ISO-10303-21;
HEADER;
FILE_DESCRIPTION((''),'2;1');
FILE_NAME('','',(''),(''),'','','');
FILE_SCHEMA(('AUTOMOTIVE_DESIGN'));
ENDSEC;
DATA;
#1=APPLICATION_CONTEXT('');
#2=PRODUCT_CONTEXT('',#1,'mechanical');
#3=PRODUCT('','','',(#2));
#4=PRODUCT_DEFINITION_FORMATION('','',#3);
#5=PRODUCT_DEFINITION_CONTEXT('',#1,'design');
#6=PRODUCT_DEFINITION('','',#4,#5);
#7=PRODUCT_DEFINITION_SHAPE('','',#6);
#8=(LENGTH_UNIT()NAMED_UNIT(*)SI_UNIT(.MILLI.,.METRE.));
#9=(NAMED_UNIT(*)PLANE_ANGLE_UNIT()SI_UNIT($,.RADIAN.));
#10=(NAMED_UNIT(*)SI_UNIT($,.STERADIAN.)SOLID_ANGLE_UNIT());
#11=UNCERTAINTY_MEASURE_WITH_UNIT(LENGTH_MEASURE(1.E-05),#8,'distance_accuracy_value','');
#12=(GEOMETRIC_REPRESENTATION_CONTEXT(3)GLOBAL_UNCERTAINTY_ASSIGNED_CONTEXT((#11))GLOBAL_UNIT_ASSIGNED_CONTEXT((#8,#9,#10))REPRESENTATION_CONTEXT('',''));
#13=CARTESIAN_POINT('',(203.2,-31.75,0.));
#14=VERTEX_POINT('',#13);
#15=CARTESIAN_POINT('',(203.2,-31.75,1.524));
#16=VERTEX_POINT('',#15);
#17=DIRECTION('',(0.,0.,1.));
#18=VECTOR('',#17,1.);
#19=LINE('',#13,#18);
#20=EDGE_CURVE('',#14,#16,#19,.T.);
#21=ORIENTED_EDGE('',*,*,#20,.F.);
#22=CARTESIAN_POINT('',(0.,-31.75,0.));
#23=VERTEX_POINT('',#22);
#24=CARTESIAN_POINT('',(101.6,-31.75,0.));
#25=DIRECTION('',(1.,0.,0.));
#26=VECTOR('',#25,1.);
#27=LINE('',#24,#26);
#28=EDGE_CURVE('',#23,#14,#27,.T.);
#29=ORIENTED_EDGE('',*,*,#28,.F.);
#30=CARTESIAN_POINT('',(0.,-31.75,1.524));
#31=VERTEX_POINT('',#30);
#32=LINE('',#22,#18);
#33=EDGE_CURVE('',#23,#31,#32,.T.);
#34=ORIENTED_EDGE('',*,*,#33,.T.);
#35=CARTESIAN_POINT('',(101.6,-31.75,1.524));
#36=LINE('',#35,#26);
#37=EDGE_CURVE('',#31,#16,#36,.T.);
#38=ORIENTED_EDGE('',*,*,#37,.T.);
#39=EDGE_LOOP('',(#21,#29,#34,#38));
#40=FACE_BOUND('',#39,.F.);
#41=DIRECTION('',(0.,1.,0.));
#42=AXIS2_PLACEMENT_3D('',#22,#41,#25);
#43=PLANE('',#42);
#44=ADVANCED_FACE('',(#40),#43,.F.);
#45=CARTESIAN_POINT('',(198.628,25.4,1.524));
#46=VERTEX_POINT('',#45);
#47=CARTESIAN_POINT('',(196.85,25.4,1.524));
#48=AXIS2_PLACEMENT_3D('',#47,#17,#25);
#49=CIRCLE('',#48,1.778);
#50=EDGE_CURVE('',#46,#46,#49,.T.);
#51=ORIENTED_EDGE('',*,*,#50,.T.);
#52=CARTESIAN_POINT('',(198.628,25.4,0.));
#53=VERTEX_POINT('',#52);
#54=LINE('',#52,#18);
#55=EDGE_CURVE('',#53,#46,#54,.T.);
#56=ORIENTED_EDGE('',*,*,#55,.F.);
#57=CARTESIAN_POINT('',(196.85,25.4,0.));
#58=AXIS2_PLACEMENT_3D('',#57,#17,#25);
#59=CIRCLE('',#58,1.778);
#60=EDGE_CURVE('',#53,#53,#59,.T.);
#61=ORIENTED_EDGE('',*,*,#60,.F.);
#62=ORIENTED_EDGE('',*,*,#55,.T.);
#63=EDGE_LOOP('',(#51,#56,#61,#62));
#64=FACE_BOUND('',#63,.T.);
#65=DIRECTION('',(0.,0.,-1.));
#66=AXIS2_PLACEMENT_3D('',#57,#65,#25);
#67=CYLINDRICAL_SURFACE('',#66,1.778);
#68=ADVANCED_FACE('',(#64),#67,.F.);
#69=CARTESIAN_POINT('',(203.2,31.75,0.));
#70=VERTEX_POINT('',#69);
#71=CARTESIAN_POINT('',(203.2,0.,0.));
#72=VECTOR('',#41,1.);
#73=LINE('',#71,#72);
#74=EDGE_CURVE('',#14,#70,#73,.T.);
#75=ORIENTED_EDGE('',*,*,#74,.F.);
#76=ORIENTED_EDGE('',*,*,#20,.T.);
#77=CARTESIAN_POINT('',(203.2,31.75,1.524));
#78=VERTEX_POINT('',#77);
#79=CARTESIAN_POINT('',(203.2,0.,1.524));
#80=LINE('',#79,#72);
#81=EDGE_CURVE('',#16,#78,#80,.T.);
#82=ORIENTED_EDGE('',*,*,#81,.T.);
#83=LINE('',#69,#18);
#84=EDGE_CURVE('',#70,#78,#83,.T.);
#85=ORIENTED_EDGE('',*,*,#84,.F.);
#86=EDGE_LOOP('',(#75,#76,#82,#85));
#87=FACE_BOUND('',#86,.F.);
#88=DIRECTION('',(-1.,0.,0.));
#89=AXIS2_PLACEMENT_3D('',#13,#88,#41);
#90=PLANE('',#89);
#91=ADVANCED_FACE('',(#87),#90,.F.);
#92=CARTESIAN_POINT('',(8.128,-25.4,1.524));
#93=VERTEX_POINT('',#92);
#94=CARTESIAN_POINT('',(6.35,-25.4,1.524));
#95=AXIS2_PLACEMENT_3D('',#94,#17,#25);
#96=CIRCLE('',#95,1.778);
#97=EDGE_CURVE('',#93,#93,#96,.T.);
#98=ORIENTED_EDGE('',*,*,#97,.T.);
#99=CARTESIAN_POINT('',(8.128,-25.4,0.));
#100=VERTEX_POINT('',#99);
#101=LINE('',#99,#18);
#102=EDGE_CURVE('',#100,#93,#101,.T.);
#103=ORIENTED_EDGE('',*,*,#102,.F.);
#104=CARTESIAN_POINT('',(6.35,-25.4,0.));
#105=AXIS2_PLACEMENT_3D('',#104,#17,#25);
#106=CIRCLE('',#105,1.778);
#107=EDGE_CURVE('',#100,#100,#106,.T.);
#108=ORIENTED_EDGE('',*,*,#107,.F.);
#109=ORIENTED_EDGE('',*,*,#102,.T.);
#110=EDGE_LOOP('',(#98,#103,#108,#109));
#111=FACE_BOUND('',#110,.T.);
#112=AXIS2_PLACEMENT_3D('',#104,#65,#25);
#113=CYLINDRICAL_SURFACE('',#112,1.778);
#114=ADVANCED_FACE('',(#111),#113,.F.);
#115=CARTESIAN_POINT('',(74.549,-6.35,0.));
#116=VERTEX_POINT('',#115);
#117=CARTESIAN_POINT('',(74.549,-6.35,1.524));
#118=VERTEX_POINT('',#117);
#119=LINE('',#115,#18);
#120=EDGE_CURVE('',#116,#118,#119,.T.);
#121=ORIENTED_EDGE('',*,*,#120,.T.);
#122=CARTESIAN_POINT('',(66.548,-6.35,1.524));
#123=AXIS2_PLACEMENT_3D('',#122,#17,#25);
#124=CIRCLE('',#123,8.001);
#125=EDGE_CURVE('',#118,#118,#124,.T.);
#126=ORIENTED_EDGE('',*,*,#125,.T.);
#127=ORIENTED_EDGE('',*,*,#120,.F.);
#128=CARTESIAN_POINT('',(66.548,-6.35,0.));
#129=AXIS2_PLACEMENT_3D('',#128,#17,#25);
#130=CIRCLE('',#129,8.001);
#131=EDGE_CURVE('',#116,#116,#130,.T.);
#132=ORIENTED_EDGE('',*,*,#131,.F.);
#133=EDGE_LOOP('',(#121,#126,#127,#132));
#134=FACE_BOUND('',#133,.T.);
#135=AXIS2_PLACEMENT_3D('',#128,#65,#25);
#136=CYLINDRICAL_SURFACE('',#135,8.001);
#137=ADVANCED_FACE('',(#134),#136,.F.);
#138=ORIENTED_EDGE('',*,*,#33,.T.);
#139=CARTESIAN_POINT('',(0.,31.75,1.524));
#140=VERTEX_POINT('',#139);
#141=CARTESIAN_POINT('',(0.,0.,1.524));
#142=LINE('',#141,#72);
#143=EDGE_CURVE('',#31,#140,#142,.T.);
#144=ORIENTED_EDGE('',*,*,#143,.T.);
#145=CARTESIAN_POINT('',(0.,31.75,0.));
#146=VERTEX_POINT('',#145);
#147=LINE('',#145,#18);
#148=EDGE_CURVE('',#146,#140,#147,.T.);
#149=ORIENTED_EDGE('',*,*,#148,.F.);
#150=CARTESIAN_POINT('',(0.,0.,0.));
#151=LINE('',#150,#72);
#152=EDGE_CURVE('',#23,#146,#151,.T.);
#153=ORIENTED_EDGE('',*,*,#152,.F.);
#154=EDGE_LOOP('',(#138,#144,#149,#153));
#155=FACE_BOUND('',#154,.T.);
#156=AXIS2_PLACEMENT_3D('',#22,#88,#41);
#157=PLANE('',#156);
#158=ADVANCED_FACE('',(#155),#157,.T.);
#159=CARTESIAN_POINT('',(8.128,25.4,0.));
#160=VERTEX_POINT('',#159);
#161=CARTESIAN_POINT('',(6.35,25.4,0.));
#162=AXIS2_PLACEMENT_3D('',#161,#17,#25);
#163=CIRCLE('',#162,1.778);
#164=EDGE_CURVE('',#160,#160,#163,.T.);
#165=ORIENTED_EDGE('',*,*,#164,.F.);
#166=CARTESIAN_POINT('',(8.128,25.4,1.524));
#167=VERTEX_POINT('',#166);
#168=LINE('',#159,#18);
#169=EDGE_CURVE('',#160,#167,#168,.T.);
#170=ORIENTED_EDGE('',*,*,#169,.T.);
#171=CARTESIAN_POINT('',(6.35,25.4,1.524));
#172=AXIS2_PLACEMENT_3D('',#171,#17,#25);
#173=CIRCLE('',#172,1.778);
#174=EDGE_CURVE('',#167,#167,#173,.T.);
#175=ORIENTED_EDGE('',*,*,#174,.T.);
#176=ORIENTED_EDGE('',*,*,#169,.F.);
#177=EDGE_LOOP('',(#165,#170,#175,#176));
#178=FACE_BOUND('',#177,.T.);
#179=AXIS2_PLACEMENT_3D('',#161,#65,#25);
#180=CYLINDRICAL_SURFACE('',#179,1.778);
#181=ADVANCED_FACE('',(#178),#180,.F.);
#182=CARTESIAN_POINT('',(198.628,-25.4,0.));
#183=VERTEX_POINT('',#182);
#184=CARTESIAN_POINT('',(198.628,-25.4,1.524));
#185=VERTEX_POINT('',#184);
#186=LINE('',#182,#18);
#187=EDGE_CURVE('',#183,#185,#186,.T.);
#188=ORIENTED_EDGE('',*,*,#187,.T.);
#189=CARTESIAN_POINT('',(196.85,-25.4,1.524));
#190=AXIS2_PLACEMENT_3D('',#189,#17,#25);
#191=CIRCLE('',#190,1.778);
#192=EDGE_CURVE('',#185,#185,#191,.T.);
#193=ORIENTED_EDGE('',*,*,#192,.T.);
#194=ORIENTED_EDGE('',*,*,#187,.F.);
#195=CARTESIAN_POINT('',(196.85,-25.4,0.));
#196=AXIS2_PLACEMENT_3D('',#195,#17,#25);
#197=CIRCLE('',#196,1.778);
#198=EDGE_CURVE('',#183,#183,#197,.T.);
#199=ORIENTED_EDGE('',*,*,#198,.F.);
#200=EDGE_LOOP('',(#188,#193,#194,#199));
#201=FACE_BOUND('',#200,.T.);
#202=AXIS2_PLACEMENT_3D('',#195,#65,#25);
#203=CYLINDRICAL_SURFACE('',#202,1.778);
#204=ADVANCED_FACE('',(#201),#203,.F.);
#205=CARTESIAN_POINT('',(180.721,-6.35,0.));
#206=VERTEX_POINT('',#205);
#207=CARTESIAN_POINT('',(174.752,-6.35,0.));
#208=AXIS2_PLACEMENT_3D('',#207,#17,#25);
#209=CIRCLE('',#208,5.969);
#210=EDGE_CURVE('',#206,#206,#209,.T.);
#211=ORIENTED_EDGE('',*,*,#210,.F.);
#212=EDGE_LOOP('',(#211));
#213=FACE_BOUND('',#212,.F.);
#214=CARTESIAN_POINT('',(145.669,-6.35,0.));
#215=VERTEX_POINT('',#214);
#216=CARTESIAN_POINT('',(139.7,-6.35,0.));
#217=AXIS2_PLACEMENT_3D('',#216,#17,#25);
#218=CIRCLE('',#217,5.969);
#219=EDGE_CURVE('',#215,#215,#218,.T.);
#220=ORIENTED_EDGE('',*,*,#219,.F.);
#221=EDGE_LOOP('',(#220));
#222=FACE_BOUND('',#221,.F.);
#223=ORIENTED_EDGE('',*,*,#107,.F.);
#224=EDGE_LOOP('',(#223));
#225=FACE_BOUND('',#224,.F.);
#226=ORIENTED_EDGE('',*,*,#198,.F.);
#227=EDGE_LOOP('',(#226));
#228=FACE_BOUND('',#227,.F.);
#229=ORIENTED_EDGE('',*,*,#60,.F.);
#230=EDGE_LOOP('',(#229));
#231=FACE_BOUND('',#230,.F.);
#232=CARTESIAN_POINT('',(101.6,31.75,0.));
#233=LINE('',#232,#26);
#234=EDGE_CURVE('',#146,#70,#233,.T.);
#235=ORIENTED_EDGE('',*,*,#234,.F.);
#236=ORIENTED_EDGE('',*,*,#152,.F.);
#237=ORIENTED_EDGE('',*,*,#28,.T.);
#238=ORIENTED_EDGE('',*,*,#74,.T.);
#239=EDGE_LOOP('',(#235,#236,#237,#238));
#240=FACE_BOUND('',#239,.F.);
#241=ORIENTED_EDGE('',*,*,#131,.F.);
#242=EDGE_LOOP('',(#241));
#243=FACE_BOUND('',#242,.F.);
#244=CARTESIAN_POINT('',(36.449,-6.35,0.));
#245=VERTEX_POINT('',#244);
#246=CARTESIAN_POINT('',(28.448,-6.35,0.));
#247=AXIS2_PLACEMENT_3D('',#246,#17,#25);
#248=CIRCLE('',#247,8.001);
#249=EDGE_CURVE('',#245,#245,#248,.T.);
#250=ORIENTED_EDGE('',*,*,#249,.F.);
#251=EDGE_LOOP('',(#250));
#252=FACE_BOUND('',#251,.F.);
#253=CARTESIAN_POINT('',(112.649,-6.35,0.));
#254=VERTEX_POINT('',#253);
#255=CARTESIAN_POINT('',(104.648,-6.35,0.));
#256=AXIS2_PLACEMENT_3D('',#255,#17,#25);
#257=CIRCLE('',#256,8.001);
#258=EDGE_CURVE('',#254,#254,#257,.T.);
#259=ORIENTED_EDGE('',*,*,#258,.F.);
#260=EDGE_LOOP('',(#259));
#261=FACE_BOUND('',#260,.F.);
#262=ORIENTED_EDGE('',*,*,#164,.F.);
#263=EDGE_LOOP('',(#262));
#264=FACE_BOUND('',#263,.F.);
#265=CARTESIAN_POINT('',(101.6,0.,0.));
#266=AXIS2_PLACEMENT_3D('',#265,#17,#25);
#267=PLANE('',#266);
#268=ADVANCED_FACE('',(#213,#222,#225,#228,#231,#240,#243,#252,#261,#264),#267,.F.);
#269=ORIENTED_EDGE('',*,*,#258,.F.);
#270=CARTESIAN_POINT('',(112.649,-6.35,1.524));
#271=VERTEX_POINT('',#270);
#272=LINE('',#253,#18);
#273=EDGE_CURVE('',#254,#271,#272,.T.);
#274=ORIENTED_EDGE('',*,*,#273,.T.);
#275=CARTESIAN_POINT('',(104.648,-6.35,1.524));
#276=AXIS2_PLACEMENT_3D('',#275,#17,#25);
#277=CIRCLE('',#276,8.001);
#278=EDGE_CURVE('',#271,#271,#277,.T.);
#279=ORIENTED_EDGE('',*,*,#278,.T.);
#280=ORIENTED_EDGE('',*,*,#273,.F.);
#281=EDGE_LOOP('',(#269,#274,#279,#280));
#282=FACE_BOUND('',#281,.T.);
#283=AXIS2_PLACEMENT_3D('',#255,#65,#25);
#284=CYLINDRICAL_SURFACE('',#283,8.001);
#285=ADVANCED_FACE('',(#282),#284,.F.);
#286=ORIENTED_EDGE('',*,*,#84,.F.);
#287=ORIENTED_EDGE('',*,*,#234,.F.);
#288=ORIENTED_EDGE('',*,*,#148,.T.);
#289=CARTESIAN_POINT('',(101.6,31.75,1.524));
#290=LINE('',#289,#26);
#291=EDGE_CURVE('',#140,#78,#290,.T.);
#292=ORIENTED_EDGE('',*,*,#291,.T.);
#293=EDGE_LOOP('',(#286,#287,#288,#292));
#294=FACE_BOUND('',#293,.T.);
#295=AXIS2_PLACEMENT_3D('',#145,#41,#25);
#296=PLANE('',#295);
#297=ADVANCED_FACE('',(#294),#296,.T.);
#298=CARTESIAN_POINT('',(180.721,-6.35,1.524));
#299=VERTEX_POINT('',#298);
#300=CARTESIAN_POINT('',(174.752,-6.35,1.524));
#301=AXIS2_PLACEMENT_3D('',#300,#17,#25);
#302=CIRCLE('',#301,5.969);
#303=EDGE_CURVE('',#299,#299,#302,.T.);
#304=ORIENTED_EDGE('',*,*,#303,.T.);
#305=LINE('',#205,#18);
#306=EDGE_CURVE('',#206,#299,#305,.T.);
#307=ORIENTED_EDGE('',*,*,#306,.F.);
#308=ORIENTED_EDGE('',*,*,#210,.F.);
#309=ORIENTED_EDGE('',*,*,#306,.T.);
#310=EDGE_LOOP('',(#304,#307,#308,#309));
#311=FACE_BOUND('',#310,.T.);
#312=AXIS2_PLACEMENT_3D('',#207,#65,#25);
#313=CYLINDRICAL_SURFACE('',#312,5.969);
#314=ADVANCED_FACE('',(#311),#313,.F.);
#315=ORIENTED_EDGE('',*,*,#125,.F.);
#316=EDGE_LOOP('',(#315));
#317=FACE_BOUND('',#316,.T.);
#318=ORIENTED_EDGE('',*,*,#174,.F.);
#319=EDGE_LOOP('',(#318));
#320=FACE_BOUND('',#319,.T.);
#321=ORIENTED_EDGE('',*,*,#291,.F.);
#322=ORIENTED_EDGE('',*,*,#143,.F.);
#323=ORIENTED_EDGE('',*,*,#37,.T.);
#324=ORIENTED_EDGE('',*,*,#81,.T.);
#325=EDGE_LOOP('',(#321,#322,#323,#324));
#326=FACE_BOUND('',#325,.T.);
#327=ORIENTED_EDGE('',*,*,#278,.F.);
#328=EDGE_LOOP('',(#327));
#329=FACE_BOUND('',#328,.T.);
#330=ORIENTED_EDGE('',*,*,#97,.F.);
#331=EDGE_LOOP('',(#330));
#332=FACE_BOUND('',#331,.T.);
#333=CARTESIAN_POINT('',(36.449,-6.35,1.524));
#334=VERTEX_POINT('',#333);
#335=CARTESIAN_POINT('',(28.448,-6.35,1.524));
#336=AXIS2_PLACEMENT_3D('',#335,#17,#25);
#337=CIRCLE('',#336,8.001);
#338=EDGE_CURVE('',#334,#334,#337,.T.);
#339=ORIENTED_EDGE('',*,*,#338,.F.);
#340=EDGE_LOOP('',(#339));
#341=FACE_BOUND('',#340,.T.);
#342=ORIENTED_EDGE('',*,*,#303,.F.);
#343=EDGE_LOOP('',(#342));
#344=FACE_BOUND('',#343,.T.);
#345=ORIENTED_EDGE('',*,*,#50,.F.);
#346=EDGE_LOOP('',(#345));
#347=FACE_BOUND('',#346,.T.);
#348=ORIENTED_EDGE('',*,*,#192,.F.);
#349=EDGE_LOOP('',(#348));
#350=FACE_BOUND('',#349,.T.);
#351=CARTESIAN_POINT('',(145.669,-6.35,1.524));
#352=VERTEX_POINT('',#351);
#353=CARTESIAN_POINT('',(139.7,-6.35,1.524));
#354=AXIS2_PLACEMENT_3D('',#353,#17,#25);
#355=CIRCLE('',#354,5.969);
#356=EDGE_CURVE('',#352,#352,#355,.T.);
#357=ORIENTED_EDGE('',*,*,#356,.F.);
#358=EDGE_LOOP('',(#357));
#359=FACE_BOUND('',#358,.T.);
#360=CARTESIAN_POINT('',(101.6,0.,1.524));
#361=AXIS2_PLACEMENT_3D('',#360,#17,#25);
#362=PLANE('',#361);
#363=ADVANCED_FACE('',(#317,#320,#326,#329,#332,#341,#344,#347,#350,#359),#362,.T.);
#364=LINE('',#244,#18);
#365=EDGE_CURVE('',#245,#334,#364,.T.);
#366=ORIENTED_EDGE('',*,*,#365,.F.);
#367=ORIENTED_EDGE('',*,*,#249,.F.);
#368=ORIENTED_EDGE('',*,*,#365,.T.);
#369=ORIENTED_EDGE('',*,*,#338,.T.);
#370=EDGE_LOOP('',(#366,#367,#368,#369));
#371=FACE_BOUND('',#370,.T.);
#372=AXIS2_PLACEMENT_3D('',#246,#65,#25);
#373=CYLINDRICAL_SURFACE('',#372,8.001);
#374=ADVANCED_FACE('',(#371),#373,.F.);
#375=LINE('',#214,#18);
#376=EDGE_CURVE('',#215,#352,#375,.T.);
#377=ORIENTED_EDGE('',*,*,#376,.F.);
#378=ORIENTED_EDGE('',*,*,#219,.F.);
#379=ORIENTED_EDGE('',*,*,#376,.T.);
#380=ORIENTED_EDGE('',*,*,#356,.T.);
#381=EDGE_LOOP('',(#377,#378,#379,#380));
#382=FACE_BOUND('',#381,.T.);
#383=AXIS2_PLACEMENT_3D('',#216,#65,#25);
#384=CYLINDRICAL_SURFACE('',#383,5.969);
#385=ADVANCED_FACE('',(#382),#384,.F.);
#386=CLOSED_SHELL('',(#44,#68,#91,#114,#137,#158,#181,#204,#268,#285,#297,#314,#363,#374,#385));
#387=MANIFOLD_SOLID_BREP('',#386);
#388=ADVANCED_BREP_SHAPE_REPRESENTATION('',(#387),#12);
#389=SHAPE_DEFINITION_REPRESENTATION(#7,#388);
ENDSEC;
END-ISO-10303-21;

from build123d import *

# Parameters (mm, degrees)
SKETCH_W   = 203.2
SKETCH_H   = 63.5
SKETCH_R   = 8.001
SKETCH_R_2 = 5.969
SKETCH_R_3 = 1.778
PAD_DEPTH  = 1.524


with BuildPart() as part:
    # Sketch (on XY_Plane of Origin) → Pad (new body)
    with BuildSketch(Plane.XY):
        with Locations((101.6, 0)):
            Rectangle(SKETCH_W, SKETCH_H)
        with Locations((28.448, -6.35)):
            Circle(SKETCH_R, mode=Mode.SUBTRACT)
        with Locations((66.548, -6.35)):
            Circle(SKETCH_R, mode=Mode.SUBTRACT)
        with Locations((104.648, -6.35)):
            Circle(SKETCH_R, mode=Mode.SUBTRACT)
        with Locations((139.7, -6.35)):
            Circle(SKETCH_R_2, mode=Mode.SUBTRACT)
        with Locations((174.752, -6.35)):
            Circle(SKETCH_R_2, mode=Mode.SUBTRACT)
        with Locations((196.85, -25.4)):
            Circle(SKETCH_R_3, mode=Mode.SUBTRACT)
        with Locations((196.85, 25.4)):
            Circle(SKETCH_R_3, mode=Mode.SUBTRACT)
        with Locations((6.35, -25.4)):
            Circle(SKETCH_R_3, mode=Mode.SUBTRACT)
        with Locations((6.35, 25.4)):
            Circle(SKETCH_R_3, mode=Mode.SUBTRACT)
    extrude(amount=PAD_DEPTH)


solid = part.part
